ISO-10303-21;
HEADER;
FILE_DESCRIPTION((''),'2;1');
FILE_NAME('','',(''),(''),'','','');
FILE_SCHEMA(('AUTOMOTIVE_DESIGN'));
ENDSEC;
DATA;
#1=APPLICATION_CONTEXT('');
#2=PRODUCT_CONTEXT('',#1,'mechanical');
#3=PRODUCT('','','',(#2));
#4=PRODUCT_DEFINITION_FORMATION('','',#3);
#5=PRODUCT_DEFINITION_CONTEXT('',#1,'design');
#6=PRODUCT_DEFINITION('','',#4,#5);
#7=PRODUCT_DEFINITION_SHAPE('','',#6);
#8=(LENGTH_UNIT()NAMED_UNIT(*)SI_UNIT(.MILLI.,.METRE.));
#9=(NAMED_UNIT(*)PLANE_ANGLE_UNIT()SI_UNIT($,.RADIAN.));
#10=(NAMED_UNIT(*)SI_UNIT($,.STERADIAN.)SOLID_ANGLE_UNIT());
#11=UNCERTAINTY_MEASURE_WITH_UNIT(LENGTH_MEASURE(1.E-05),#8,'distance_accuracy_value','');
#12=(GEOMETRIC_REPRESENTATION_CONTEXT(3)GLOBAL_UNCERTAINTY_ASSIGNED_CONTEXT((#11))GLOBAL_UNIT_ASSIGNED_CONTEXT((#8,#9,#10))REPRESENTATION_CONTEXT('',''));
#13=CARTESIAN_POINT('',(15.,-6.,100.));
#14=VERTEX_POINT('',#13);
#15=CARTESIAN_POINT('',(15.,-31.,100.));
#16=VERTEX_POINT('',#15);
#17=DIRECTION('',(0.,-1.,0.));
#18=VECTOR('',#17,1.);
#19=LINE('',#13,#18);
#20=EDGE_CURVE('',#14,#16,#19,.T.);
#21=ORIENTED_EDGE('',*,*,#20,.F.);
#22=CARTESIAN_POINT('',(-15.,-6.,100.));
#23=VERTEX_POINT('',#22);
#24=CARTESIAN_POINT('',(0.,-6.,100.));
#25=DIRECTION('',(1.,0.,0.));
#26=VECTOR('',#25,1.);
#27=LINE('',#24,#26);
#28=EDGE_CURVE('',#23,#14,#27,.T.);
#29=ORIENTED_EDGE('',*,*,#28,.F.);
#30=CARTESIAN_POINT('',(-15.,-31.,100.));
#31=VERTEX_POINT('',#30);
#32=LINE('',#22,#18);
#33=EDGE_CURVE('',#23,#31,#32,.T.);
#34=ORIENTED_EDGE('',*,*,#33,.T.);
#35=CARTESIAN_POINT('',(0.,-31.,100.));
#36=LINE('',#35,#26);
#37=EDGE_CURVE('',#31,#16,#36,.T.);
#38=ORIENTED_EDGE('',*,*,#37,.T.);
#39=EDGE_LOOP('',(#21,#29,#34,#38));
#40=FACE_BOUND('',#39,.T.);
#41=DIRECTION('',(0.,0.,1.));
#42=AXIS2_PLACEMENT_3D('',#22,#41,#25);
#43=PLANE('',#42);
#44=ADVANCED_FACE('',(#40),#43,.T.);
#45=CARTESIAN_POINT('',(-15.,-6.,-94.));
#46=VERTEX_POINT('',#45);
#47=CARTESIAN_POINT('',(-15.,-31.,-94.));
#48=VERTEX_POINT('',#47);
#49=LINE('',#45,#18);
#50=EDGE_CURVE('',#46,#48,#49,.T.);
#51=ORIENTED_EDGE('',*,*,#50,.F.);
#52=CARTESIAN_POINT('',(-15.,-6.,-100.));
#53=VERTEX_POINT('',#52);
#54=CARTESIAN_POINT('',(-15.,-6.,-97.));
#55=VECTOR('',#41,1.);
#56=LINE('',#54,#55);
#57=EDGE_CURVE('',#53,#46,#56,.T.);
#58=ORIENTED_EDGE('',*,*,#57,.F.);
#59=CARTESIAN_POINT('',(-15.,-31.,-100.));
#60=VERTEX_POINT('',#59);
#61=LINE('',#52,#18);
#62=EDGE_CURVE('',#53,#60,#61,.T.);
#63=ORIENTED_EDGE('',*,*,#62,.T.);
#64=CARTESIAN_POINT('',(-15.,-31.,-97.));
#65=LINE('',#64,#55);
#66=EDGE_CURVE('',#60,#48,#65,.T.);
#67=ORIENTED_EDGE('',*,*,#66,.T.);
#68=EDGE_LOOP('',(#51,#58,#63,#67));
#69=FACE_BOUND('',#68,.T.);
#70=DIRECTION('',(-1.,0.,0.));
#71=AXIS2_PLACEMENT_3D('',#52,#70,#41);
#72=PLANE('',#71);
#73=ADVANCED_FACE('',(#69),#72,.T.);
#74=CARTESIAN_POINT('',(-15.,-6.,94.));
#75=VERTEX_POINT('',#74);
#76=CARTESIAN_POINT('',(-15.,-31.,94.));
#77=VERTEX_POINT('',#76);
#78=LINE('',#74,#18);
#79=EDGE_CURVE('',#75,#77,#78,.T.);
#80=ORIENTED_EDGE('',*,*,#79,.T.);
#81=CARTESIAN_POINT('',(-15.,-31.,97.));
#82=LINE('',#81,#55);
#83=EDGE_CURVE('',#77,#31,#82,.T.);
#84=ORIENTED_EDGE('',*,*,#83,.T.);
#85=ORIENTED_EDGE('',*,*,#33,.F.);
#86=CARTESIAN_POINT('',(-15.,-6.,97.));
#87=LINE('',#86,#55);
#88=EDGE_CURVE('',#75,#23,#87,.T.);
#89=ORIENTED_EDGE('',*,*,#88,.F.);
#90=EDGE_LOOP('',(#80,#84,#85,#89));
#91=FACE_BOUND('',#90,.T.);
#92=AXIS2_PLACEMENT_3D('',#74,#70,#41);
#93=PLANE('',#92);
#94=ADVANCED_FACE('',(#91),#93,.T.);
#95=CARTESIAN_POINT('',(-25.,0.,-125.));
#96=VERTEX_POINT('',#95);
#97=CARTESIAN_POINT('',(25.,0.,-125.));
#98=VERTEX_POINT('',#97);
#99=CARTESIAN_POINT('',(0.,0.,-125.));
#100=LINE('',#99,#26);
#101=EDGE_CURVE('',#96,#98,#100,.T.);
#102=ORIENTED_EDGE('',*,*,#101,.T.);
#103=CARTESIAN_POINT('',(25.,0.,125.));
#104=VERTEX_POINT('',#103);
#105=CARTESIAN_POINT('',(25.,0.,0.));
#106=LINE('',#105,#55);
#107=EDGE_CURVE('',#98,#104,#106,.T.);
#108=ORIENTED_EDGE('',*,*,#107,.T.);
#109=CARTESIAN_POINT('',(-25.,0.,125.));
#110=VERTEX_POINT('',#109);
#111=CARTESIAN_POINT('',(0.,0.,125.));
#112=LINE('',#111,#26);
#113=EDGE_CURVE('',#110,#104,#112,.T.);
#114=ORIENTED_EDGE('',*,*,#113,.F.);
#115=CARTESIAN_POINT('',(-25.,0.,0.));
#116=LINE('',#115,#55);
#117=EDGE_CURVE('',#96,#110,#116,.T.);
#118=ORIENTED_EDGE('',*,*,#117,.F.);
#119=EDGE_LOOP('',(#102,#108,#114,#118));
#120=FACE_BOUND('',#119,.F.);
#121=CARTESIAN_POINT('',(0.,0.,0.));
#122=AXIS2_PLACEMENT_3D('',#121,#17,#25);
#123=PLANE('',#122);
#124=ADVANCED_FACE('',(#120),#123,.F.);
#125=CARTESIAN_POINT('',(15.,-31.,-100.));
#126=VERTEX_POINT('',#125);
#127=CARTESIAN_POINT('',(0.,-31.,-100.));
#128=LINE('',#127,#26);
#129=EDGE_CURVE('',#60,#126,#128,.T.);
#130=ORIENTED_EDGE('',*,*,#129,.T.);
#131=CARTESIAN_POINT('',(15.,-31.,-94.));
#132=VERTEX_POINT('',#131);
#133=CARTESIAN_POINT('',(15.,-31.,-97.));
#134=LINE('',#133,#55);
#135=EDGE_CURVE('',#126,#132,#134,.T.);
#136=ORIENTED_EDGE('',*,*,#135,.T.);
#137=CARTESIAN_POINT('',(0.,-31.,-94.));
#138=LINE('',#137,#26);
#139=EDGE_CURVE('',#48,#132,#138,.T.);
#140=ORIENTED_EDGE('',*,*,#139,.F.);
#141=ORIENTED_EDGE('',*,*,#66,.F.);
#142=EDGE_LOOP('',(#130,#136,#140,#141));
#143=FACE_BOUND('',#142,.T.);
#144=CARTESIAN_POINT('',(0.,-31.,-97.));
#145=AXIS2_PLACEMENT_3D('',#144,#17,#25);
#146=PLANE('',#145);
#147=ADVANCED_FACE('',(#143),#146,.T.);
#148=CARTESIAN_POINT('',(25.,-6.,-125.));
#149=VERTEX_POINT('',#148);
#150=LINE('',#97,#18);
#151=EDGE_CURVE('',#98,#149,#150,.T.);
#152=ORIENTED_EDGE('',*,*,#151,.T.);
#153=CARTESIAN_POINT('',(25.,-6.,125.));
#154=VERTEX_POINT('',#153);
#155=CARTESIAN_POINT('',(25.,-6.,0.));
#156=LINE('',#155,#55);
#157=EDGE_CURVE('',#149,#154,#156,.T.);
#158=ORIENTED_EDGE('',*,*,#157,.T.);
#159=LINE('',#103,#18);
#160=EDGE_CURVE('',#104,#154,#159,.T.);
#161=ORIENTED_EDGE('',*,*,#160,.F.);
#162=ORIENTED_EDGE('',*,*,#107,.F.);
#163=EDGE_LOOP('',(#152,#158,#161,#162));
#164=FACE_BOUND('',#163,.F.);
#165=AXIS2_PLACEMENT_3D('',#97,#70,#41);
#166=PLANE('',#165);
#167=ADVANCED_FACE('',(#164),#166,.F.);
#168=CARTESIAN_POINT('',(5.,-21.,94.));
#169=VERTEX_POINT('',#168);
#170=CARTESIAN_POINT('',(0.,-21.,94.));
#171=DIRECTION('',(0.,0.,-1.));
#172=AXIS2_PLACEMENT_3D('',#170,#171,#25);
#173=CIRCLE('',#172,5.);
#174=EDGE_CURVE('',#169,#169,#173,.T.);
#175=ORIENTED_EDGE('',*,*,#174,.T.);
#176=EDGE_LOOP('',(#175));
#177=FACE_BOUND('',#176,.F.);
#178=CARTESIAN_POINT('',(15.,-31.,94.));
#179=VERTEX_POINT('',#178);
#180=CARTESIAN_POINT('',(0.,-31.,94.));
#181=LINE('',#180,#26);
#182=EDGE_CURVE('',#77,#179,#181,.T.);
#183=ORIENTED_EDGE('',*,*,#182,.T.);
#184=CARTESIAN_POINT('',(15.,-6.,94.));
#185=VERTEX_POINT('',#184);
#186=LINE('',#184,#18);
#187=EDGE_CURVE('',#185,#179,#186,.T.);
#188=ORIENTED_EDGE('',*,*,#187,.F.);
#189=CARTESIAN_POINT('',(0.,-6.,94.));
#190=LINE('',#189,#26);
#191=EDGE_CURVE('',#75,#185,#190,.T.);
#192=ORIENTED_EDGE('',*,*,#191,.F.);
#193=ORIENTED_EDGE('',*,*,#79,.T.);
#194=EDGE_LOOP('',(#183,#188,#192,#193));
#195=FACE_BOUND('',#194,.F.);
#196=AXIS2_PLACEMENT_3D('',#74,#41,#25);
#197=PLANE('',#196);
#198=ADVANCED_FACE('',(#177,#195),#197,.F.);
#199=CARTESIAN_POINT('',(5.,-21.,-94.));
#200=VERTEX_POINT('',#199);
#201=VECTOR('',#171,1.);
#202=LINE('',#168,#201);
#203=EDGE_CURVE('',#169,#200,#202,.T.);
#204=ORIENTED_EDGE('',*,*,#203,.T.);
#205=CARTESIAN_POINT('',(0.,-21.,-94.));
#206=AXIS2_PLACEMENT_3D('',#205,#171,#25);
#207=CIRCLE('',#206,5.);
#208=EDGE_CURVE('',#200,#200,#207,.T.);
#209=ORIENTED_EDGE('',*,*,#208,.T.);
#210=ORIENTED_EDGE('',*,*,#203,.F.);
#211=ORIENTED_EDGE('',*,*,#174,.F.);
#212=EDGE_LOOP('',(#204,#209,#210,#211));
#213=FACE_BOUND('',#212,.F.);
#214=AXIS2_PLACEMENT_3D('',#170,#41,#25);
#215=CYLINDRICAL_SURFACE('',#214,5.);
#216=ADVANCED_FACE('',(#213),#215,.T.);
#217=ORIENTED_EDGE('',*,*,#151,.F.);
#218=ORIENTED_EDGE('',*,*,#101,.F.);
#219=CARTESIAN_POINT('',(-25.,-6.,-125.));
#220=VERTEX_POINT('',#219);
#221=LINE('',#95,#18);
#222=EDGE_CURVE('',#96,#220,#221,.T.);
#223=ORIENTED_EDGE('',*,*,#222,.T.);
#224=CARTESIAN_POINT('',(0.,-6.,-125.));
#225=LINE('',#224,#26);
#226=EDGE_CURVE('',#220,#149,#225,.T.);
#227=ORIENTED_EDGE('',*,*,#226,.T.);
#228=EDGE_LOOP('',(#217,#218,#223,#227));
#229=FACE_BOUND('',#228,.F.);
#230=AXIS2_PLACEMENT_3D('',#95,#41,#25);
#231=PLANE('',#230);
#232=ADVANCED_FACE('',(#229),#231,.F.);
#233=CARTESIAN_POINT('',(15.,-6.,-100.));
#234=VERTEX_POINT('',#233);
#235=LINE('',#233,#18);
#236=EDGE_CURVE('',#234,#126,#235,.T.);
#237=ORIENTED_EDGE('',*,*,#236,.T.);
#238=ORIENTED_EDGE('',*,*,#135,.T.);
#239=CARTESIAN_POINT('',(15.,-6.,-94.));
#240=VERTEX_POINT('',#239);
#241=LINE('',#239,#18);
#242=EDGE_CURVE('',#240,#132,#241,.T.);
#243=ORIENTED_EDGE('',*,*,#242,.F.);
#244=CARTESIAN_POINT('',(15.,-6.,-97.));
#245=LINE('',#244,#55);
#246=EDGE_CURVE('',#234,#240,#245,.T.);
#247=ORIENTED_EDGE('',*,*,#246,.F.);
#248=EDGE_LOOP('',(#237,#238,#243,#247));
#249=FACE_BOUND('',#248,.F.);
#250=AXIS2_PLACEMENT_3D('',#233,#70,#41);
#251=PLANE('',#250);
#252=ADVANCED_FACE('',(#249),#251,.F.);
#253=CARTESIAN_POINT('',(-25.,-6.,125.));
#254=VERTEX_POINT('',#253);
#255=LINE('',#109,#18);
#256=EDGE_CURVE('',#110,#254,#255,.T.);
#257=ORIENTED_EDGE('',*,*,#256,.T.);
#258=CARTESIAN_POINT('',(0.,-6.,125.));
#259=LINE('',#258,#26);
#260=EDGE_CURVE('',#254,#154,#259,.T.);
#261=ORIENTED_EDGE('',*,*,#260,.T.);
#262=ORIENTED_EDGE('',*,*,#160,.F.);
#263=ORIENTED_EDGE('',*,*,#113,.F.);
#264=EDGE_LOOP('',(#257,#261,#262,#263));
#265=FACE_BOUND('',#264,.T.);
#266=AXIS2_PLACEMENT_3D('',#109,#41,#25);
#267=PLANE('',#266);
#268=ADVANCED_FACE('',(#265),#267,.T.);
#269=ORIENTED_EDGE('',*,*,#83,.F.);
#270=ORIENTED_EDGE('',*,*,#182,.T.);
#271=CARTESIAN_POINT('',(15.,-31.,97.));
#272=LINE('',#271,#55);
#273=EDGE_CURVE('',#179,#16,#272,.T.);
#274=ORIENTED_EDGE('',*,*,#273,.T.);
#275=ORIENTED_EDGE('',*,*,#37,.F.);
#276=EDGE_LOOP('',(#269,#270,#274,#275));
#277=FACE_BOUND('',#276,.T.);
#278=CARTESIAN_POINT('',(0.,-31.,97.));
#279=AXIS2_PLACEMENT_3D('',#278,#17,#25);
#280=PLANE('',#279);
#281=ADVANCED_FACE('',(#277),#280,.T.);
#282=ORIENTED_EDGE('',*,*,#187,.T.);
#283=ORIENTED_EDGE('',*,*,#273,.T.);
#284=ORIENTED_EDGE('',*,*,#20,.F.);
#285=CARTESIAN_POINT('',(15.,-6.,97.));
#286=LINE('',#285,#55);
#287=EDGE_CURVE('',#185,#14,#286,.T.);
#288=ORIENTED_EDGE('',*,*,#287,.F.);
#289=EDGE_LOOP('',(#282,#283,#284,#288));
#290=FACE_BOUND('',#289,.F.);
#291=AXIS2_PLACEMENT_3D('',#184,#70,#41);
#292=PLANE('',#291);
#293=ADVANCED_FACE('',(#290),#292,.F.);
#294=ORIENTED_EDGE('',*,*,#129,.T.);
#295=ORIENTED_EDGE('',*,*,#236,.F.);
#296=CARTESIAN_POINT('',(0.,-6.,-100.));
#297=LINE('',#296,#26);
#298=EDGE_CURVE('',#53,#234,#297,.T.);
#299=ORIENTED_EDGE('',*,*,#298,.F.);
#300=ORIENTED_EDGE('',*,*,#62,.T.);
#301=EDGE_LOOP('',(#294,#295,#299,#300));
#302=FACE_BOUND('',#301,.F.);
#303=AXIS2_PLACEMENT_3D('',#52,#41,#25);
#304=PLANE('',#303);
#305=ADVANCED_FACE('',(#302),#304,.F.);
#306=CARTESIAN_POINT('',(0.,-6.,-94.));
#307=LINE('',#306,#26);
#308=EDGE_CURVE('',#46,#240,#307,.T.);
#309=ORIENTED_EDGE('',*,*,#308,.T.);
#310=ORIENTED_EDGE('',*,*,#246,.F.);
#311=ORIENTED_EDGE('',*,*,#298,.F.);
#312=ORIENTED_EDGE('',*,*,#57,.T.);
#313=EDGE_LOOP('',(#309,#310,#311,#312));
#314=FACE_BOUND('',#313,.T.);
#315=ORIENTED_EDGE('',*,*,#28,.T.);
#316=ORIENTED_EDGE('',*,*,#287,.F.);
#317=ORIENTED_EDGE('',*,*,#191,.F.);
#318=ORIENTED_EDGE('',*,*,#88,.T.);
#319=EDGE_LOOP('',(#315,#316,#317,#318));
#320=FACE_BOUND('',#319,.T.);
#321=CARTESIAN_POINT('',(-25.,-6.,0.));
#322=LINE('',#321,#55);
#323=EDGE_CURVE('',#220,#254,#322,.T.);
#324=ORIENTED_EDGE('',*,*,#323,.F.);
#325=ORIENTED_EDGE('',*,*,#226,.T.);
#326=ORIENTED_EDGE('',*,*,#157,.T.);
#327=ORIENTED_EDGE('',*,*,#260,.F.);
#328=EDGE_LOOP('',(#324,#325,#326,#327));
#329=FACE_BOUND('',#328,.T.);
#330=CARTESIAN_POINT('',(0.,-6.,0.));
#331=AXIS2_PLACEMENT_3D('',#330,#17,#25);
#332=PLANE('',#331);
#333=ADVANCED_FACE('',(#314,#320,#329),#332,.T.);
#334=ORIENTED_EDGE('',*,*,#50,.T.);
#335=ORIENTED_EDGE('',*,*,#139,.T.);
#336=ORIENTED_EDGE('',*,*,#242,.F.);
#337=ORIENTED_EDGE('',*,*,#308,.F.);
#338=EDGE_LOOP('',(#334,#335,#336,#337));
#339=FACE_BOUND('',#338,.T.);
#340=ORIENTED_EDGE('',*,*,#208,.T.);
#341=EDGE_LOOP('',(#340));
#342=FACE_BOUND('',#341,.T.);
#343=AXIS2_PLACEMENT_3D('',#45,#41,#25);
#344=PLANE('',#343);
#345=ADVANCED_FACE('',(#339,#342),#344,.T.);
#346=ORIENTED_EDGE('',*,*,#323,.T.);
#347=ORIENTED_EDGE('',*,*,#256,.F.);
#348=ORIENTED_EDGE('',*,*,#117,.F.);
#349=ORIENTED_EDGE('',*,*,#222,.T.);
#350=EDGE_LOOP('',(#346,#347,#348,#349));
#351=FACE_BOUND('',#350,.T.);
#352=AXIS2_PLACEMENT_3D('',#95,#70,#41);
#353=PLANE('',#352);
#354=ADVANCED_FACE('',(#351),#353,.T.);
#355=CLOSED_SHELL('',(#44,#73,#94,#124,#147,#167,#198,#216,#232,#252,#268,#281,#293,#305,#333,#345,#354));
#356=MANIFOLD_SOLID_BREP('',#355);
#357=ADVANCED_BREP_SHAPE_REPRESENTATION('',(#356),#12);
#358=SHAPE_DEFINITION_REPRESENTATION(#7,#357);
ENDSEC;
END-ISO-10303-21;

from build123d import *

# Parameters (mm, degrees)
F0_W     = 50
F0_H     = 250
F1_DEPTH = 6
F2_W     = 30
F2_H     = 6
F3_DEPTH = 25
F4_R     = 5
F5_DEPTH = 188


with BuildPart() as f1:
    # F0 (on Front) → F1 (new body)
    with BuildSketch(Plane.XZ):
        Rectangle(F0_W, F0_H)
    extrude(amount=F1_DEPTH)

    # F2 (on face) → F3 (join)
    with BuildSketch(Plane.XZ.offset(6)):
        with Locations((0, 97)):
            Rectangle(F2_W, F2_H)
        with Locations((0, -97)):
            Rectangle(F2_W, F2_H)
    extrude(amount=F3_DEPTH)

    # F4 (on face) → F5 (join, through all)
    with BuildSketch(Plane(origin=(0, 0, 94), x_dir=(1, 0, 0), z_dir=(0, 0, -1))):
        with Locations((0, 21)):
            Circle(F4_R)
    extrude(amount=F5_DEPTH)


solid = f1.part
